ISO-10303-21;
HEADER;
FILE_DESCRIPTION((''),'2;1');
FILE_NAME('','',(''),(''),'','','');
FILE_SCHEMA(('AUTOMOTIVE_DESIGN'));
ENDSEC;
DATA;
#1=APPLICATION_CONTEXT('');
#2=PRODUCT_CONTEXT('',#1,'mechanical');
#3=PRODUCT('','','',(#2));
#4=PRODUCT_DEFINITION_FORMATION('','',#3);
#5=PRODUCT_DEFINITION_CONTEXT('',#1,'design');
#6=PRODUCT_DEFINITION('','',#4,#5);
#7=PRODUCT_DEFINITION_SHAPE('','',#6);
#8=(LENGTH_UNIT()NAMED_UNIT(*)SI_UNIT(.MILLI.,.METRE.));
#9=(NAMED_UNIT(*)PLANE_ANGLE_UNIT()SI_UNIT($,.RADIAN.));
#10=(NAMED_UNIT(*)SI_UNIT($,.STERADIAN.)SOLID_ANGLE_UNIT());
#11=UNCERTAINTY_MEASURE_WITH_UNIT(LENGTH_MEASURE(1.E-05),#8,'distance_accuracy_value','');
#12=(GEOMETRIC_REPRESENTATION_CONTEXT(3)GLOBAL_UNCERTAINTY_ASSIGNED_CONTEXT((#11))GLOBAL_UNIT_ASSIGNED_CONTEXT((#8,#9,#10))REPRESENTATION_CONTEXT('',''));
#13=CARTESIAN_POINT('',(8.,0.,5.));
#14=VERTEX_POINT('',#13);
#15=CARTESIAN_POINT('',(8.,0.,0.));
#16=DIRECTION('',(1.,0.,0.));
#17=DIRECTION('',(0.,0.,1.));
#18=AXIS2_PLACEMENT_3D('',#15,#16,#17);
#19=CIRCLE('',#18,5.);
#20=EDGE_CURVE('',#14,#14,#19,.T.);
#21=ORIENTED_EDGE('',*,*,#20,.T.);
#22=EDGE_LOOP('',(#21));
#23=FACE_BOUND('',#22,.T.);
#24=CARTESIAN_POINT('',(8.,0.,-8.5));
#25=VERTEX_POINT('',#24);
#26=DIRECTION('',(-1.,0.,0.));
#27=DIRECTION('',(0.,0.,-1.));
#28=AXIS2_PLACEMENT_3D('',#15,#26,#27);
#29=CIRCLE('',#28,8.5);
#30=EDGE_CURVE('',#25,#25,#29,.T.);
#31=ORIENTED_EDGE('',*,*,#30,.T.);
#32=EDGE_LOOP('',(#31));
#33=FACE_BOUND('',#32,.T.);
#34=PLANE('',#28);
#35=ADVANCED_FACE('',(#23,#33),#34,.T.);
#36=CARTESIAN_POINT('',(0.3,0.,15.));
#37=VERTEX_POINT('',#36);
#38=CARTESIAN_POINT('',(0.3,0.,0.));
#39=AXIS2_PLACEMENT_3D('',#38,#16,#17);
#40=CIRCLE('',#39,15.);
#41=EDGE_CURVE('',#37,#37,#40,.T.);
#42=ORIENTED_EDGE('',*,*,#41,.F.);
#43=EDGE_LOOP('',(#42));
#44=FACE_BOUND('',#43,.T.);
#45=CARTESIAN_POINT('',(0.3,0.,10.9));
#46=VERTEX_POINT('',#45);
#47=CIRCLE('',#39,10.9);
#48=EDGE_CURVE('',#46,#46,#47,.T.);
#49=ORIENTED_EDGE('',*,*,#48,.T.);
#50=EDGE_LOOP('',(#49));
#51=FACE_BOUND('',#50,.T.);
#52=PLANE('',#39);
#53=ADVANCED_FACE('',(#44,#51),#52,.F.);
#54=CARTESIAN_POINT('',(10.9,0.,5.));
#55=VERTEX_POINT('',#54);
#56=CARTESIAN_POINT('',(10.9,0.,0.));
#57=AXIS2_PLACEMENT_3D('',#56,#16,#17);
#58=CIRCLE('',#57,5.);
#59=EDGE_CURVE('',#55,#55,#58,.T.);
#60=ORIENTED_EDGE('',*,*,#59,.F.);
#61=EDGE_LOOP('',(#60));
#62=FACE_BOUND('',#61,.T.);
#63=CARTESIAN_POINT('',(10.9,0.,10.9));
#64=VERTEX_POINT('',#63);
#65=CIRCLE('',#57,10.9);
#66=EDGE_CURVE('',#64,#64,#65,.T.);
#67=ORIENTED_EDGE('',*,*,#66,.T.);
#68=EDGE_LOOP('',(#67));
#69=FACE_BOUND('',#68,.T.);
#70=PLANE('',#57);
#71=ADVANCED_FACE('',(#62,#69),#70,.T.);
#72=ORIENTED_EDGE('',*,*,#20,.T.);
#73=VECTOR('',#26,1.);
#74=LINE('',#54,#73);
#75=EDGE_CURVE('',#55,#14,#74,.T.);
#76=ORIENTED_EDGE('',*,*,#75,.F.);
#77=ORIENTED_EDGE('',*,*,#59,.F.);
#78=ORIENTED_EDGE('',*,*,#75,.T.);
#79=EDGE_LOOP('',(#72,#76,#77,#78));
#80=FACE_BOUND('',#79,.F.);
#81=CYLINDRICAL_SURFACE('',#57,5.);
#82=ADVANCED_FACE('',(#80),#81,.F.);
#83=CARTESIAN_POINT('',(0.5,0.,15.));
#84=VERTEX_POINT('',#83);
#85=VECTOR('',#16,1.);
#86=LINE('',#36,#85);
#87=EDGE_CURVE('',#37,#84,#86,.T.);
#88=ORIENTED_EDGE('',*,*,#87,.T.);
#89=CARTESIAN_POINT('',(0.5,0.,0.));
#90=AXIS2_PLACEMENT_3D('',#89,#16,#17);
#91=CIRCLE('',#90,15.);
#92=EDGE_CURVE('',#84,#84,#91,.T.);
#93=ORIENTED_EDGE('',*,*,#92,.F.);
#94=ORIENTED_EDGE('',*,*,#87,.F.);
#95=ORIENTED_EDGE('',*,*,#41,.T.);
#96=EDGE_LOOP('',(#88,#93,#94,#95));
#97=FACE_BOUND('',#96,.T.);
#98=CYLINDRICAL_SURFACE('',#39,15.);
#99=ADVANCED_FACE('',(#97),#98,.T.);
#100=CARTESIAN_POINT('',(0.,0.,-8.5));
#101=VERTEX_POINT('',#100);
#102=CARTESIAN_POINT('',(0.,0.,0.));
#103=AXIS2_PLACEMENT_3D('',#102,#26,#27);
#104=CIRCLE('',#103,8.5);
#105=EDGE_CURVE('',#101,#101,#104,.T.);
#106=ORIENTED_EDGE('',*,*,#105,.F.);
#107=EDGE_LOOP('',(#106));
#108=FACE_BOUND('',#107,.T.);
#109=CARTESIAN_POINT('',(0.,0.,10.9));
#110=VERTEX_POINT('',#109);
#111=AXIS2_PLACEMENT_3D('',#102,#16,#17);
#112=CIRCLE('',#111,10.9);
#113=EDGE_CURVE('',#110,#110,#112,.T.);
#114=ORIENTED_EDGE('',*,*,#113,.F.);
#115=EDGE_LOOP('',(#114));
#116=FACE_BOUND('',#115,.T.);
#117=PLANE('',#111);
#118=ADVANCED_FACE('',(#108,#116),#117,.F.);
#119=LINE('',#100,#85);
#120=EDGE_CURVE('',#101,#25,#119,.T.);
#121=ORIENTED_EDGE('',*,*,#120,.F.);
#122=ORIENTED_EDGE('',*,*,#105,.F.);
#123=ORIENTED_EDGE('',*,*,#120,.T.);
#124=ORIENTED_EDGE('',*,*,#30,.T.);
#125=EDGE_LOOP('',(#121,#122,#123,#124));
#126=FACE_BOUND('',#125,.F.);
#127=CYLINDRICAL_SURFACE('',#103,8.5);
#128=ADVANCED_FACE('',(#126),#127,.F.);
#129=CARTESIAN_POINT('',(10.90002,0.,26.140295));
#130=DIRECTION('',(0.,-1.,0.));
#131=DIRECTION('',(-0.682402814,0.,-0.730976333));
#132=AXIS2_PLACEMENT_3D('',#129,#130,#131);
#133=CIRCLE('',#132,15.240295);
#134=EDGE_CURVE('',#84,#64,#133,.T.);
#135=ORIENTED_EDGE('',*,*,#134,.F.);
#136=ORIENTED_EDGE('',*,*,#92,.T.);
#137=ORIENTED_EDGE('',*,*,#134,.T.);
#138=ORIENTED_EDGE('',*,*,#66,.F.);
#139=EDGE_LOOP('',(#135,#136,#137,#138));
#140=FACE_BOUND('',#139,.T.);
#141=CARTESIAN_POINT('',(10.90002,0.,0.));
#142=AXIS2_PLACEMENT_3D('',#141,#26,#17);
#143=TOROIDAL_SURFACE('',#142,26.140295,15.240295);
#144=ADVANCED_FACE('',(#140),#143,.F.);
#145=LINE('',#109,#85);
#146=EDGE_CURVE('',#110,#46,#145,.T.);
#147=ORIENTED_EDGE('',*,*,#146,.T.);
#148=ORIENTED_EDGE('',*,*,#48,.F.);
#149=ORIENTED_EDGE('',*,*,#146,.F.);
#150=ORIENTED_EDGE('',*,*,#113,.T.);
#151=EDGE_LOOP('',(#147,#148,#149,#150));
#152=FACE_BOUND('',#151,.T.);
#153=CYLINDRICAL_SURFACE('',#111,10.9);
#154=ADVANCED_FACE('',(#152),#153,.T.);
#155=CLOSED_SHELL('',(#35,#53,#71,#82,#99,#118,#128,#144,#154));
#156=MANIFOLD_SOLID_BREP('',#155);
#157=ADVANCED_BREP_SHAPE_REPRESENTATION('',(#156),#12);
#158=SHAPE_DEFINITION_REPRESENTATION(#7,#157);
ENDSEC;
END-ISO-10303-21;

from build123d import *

# Parameters (mm, degrees)
SKETCH010_R     = 8.5
POCKET005_DEPTH = 8
SKETCH011_R     = 5
POCKET006_DEPTH = 10.901


with BuildPart() as part:
    # Sketch009 → Revolution002 (revolve)
    with BuildSketch(Plane.XZ):
        with BuildLine():
            Line((0, 0), (0, 10.9))
            Line((0, 10.9), (0.3, 10.9))
            Line((0.3, 10.9), (0.3, 15))
            Line((0.3, 15), (0.5, 15))
            ThreePointArc((0.5, 15), (5.310502, 11.962006), (10.9, 10.9))
            Line((10.9, 10.9), (10.9, 0))
            Line((10.9, 0), (0, 0))
        make_face()
    revolve(axis=Axis((0, 0, 0), (1, 0, 0)))

    # Sketch010 (on Face1 of Revolution002) → Pocket005 (cut)
    with BuildSketch(Plane(origin=(0, 0, 0), x_dir=(0, 0, -1), z_dir=(-1, 0, 0))):
        Circle(SKETCH010_R)
    extrude(amount=-POCKET005_DEPTH, mode=Mode.SUBTRACT)

    # Sketch011 (on Face8 of Pocket005) → Pocket006 (cut, through all)
    with BuildSketch(Plane(origin=(10.9, 0, 0), x_dir=(0, 0, 1), z_dir=(1, 0, 0))):
        Circle(SKETCH011_R)
    extrude(amount=-POCKET006_DEPTH, mode=Mode.SUBTRACT)


solid = part.part
